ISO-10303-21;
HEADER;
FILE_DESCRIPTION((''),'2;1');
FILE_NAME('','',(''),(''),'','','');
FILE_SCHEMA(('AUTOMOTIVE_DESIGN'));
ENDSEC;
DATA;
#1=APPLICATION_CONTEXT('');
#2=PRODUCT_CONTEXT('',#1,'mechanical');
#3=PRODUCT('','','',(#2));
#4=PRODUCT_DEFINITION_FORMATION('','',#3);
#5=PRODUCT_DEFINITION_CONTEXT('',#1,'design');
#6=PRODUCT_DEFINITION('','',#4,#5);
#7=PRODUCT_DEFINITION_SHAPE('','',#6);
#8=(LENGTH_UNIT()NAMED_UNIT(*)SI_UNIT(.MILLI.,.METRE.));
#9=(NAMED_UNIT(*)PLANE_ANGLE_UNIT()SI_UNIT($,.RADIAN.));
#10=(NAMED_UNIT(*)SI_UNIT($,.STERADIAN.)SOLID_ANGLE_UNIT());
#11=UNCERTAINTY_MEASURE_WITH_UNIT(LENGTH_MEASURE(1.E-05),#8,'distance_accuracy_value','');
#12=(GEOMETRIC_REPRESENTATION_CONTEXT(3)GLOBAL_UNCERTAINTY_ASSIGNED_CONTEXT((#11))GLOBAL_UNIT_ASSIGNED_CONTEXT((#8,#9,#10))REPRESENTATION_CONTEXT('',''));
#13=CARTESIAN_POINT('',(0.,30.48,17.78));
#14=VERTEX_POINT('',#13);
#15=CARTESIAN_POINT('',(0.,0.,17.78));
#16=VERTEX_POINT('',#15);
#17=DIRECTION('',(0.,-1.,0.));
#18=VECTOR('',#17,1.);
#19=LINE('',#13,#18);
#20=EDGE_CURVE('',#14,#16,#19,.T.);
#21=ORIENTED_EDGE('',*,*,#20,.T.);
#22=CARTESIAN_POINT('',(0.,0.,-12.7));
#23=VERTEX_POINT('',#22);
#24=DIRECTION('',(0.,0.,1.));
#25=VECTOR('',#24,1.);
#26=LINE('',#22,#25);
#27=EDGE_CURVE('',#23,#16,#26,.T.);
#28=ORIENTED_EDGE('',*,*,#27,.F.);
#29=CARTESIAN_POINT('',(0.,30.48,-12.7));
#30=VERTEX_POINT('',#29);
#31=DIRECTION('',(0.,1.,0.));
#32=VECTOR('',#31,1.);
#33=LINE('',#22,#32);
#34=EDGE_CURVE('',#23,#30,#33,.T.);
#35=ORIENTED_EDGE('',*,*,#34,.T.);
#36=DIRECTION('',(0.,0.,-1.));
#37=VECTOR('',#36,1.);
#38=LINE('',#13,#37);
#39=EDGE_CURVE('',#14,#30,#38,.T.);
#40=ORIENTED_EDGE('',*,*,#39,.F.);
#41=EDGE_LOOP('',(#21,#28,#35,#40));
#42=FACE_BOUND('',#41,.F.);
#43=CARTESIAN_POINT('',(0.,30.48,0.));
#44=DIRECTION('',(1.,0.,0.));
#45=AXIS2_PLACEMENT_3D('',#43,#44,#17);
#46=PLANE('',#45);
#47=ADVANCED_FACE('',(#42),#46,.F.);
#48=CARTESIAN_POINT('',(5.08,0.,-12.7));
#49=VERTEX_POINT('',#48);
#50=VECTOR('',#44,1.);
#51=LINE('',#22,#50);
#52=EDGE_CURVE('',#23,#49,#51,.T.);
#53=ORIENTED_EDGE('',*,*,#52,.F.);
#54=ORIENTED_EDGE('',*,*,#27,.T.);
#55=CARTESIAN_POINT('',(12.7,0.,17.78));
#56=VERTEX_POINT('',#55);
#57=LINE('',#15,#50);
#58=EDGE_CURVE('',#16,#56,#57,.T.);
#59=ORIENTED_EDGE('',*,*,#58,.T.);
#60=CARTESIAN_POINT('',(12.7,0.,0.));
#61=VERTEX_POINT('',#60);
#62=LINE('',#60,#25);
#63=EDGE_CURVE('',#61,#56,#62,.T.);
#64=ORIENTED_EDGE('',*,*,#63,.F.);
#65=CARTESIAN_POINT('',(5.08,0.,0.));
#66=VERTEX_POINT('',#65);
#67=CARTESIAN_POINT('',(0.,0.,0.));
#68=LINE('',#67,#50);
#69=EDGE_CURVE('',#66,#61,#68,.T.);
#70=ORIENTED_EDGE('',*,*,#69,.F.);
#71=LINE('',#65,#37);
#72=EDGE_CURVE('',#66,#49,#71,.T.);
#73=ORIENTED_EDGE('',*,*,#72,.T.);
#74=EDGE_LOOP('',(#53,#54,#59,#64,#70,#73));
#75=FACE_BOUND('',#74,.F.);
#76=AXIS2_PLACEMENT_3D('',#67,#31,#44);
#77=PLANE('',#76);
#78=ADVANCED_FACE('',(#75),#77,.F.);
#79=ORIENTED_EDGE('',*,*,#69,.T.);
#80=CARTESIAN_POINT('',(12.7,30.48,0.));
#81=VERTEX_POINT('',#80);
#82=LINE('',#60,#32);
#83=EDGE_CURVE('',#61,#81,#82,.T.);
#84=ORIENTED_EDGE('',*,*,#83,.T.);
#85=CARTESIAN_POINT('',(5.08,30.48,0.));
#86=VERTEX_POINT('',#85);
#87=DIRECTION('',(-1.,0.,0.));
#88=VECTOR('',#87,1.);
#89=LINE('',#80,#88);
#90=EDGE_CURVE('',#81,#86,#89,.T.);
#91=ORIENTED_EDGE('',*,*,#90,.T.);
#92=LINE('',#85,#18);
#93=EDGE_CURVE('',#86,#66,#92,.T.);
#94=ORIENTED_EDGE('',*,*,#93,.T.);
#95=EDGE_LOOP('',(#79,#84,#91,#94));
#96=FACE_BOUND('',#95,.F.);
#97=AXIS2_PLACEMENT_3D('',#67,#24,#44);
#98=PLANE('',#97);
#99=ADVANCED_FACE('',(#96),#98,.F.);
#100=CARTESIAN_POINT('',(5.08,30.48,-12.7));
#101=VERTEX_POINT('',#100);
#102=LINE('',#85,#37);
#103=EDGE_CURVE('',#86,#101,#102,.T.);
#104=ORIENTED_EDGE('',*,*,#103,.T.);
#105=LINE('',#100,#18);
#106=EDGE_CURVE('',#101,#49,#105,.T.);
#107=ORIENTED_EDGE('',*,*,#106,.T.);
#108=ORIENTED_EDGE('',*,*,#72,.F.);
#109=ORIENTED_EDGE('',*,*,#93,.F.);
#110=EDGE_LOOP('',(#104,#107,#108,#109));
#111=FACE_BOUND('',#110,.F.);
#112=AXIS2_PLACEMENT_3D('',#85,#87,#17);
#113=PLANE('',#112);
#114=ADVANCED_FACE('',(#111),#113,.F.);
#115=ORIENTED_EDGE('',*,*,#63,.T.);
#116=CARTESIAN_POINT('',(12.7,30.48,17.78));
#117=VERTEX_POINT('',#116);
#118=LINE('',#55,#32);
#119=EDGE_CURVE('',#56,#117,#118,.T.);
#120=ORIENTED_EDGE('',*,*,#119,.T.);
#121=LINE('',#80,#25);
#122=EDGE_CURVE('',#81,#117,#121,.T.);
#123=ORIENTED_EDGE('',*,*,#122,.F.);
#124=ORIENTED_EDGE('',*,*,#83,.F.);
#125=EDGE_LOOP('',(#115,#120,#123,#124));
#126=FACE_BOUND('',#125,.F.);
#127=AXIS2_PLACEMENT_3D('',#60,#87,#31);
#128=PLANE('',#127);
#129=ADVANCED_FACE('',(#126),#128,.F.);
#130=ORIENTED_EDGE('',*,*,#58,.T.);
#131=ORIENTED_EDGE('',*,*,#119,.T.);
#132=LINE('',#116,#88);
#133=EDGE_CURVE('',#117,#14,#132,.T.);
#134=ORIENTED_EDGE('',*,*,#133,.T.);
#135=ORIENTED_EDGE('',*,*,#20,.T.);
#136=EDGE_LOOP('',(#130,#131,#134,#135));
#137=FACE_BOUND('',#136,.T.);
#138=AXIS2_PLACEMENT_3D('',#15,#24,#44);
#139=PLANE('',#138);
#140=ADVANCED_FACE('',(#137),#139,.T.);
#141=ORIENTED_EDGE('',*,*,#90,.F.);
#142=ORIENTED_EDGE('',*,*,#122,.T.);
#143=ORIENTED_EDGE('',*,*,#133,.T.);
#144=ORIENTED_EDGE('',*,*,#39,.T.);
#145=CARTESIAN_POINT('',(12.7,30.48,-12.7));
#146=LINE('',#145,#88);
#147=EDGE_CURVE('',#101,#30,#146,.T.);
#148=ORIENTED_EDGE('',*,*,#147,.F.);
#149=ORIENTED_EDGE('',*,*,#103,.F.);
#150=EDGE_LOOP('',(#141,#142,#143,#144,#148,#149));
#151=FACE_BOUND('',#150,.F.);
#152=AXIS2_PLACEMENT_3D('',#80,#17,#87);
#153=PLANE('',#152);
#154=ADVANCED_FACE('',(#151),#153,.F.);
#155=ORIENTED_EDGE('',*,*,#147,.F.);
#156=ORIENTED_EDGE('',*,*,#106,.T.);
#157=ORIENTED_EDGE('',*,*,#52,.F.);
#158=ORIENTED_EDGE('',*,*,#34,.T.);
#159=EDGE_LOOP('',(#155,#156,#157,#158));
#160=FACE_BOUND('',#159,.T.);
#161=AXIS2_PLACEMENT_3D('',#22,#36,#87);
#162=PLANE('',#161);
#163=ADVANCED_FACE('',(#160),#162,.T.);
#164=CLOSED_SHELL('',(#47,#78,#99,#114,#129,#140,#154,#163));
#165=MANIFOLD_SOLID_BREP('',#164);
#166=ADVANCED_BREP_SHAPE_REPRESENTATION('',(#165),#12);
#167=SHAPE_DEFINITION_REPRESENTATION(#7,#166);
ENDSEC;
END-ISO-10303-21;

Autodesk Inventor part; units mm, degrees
ref_plane "YZ Plane" through (0, 0, 0) normal (1, 0, 0) x (0, 1, 0)
ref_plane "XZ Plane" through (0, 0, 0) normal (0, 1, 0) x (-1, 0, 0)
ref_plane "XY Plane" through (0, 0, 0) normal (0, 0, 1) x (1, 0, 0)
sketch "Sketch1" plane through (0, 0, 0) normal (0, 0, 1) x (1, 0, 0)
  line L0 (0, 0) -> (12.7, 0)
  line L1 (12.7, 0) -> (12.7, 30.48)
  line L2 (12.7, 30.48) -> (0, 30.48)
  line L3 (0, 30.48) -> (0, 0)
  dimension "d0" = 12.7
  dimension "d1" = 30.48
extrude "Extrusion1" add sketch "Sketch1" along normal blind 17.78
sketch "Sketch2" plane through (0, 0, 0) normal (0, 0, -1) x (-1, 0, 0)
  line L0 (-12.7, 30.48) -> (0, 30.48) projected
  line L1 (0, 0) -> (-12.7, 0) projected
  line L2 (0, 30.48) -> (-5.08, 30.48)
  line L3 (-5.08, 30.48) -> (-5.08, 0)
  line L4 (-5.08, 0) -> (0, 0)
  line L5 (0, 0) -> (0, 30.48)
  dimension "d4" = 5.08
extrude "Extrusion2" add sketch "Sketch2" along normal blind 12.7
equation "\"BendRadius\" = Thickness"
equation "\"BendReliefWidth\" = Thickness"
equation "\"BendReliefDepth\" = 0.5 * Thickness"
equation "\"CornerReliefSize\" = 4 * Thickness"
equation "\"MinimumRemnant\" = 2 * Thickness"
equation "\"TransitionRadius\" = BendRadius"
equation "\"JacobiRadiusSize\" = BendRadius"
equation "\"GapSize\" = Thickness"
equation "\"Thickness\" = 3.048"
properties part number "LimitSwitch"
